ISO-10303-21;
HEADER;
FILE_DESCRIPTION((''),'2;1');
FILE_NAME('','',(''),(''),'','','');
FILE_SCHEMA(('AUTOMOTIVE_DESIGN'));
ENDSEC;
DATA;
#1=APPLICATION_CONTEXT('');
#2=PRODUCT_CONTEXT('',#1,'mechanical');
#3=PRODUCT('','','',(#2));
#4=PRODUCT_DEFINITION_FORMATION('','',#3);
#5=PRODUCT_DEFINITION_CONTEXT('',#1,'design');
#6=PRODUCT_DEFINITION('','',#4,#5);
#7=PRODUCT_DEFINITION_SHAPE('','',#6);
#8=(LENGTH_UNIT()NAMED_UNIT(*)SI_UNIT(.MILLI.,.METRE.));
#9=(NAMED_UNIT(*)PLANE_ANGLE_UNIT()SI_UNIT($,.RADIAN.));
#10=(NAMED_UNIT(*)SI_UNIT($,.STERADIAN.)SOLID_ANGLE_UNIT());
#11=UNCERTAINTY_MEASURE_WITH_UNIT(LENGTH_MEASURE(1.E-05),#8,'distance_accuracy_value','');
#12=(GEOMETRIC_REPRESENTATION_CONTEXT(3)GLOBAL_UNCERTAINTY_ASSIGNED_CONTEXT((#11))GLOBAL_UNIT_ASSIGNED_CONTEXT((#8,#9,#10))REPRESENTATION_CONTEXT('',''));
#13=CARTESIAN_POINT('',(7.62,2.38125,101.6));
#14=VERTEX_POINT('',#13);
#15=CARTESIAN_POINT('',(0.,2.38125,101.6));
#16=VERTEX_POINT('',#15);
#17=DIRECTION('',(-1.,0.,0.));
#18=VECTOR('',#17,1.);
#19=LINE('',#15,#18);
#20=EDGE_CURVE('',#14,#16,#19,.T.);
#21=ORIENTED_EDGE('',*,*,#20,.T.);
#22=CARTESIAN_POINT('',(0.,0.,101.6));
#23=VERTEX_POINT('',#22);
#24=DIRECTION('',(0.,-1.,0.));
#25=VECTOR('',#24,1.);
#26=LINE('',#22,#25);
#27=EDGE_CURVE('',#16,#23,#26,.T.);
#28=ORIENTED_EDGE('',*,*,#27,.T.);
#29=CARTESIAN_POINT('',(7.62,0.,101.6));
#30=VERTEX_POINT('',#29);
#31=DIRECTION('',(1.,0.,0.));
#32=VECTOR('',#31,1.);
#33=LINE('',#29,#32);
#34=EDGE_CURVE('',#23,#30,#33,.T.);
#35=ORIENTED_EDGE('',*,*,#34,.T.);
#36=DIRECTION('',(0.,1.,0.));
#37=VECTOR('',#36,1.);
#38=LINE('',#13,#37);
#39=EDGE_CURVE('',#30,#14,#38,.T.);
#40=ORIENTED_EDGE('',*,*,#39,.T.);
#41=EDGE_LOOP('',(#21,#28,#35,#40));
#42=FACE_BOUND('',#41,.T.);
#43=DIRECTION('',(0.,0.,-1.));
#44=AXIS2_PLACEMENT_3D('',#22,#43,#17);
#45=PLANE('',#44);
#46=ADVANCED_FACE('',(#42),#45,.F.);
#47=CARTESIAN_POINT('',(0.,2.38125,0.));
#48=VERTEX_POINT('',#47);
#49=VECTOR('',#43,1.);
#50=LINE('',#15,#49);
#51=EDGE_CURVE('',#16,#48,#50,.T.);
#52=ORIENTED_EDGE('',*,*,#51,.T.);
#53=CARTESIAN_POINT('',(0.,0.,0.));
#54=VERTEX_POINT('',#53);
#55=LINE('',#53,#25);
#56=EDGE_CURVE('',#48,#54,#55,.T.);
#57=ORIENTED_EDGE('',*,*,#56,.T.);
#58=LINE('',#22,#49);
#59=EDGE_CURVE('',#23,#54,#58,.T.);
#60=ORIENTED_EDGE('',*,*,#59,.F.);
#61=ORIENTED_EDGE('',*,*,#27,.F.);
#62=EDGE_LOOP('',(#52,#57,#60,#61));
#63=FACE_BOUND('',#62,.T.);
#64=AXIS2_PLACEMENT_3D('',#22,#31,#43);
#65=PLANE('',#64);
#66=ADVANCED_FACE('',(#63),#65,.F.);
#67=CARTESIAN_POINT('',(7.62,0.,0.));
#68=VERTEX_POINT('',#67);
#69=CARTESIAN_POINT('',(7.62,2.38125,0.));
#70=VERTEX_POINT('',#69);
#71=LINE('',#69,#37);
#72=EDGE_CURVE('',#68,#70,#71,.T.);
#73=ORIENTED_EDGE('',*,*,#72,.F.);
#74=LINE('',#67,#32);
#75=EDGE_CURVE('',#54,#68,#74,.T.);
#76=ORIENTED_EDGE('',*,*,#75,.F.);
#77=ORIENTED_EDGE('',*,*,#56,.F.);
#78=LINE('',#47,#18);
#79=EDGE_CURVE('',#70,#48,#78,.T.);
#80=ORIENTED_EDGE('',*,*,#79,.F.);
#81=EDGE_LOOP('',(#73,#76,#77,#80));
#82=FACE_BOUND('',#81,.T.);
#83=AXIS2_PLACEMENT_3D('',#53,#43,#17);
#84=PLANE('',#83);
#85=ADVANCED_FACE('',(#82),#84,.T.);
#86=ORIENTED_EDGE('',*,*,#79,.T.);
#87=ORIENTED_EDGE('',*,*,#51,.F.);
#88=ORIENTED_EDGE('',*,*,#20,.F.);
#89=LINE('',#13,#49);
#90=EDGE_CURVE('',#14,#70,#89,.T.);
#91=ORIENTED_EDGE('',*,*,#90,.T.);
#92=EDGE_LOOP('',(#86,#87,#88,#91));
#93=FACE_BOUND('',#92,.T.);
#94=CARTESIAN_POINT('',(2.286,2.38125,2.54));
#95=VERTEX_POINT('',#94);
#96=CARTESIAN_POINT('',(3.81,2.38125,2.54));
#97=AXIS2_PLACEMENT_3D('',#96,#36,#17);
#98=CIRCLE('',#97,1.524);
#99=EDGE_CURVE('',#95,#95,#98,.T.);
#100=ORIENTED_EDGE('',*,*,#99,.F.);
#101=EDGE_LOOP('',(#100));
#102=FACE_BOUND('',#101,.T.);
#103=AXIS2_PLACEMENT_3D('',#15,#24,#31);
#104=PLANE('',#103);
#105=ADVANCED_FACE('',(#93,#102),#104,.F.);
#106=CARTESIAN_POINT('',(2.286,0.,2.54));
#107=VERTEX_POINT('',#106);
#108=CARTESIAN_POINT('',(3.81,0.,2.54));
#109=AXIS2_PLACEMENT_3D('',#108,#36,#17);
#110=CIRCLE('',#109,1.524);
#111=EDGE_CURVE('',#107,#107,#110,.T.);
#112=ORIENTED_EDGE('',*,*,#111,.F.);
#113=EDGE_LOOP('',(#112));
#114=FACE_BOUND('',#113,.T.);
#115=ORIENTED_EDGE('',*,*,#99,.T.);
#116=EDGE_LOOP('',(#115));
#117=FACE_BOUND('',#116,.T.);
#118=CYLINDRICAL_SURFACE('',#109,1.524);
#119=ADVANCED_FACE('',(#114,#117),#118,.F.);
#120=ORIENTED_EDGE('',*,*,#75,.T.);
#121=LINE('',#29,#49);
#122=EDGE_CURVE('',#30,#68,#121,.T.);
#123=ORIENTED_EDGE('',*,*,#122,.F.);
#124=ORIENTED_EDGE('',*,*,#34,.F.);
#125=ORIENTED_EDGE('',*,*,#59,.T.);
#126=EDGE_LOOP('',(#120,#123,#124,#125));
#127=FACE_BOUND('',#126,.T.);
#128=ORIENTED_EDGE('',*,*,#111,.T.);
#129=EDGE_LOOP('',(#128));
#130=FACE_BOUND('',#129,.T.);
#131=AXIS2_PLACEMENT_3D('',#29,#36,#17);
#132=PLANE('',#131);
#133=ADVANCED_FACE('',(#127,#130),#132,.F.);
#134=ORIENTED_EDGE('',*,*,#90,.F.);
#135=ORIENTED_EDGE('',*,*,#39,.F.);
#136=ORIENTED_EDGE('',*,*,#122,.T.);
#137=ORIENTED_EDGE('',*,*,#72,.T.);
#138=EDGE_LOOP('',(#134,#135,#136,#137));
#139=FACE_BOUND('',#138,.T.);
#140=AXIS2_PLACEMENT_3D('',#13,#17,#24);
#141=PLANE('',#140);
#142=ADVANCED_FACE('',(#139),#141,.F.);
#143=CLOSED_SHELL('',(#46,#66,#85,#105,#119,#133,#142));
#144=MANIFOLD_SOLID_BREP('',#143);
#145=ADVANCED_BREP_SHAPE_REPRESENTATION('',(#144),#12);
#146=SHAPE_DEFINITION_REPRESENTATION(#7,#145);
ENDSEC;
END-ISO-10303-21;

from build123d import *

# Parameters (mm, degrees)
SKETCH1_W           = 7.62
SKETCH1_H           = 2.38125
BOSS_EXTRUDE1_DEPTH = 101.6
SKETCH2_R           = 1.524
CUT_EXTRUDE1_DEPTH  = 3.38125


with BuildPart() as part:
    # Sketch1 → Boss-Extrude1 (new body)
    with BuildSketch(Plane.XY):
        with Locations((3.81, 1.190625)):
            Rectangle(SKETCH1_W, SKETCH1_H)
    extrude(amount=BOSS_EXTRUDE1_DEPTH)

    # Sketch2 → Cut-Extrude1 (cut, through all)
    with BuildSketch(Plane(origin=(0, 2.38125, 0), x_dir=(1, 0, 0), z_dir=(0, 1, 0))):
        with Locations((3.81, -2.54)):
            Circle(SKETCH2_R)
    extrude(amount=-CUT_EXTRUDE1_DEPTH, mode=Mode.SUBTRACT)


solid = part.part
